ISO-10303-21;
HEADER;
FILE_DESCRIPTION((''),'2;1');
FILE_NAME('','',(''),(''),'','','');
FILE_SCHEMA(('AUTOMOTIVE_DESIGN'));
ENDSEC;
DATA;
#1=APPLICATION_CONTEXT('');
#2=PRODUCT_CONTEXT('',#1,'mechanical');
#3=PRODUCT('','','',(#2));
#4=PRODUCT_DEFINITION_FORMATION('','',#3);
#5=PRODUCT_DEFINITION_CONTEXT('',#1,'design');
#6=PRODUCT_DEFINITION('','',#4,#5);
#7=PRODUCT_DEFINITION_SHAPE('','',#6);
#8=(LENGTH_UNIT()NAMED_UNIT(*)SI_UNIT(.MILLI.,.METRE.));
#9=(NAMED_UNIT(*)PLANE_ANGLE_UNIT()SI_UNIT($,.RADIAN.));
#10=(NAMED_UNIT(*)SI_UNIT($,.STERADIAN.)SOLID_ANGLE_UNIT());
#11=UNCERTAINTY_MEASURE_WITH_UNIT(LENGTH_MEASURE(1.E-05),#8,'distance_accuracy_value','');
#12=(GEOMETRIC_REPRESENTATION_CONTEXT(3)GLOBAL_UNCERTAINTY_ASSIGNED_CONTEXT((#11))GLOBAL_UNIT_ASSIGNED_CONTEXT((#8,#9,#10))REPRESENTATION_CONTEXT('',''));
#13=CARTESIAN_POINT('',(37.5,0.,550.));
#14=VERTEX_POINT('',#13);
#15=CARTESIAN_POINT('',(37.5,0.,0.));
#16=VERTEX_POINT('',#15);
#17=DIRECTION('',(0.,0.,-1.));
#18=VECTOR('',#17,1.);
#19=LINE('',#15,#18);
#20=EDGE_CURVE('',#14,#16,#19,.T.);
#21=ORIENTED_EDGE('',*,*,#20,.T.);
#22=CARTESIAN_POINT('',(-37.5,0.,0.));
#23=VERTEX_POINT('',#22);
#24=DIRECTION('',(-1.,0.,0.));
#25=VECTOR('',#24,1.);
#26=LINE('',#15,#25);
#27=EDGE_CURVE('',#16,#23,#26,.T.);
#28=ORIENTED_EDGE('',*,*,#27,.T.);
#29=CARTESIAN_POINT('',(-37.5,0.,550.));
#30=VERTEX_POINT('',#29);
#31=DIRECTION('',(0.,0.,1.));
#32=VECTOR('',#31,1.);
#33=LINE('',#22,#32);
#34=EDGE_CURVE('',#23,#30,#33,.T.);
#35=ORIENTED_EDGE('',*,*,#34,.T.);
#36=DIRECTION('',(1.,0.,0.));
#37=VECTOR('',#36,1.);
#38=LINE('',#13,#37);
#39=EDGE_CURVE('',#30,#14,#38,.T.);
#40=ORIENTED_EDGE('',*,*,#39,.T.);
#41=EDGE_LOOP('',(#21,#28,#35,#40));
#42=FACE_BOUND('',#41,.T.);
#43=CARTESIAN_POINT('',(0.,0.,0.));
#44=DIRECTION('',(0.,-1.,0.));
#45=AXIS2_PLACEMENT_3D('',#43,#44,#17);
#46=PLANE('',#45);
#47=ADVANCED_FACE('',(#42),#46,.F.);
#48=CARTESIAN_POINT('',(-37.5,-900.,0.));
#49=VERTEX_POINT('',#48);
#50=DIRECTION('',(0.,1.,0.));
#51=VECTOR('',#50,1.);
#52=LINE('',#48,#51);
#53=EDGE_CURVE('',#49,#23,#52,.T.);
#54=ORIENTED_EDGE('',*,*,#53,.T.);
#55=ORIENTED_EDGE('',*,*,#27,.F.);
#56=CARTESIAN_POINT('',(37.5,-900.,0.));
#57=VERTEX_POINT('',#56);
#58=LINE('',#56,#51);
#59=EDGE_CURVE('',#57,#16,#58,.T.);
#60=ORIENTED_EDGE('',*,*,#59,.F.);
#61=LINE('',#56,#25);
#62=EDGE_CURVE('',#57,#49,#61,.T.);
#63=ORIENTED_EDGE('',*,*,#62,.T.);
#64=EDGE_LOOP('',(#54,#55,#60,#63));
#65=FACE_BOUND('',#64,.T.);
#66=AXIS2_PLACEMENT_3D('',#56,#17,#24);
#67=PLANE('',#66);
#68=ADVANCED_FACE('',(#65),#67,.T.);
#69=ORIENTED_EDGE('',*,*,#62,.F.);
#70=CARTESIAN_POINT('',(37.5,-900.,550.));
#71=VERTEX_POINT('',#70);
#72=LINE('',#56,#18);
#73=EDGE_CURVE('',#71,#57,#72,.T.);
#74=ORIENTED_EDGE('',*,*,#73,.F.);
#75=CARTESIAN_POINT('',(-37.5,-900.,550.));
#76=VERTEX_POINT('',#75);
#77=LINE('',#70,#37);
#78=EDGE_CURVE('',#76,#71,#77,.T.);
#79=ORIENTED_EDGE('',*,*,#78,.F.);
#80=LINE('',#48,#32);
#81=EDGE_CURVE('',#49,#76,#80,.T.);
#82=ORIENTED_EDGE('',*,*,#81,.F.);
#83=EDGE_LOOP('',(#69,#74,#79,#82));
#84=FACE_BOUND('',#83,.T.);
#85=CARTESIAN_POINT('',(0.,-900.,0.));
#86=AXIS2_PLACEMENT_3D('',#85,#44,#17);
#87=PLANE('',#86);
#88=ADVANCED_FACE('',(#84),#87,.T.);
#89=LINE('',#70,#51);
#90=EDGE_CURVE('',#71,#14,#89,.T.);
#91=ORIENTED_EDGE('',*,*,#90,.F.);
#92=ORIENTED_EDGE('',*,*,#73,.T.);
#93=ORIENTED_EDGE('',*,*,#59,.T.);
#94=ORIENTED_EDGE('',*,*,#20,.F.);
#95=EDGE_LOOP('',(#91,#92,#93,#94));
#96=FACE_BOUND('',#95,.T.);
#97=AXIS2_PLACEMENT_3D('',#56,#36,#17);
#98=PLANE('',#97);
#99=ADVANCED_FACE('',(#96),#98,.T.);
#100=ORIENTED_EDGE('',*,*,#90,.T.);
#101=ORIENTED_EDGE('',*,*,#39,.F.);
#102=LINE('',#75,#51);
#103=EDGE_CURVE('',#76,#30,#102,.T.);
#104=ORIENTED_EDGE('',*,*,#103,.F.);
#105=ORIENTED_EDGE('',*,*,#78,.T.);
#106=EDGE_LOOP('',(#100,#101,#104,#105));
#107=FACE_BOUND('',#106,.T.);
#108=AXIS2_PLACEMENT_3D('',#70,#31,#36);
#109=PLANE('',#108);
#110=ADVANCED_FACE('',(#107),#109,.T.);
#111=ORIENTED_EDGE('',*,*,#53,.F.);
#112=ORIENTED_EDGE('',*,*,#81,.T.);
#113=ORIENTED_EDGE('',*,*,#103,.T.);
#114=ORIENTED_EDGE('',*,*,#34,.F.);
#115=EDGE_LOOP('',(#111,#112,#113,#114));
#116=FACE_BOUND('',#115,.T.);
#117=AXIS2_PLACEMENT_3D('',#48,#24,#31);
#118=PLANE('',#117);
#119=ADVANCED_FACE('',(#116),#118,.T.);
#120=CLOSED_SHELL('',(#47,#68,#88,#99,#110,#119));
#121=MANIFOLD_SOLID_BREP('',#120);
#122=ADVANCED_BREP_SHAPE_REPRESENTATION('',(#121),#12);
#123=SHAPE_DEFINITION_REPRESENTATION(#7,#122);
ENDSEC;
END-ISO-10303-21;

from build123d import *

# Parameters (mm, degrees)
SKETCH1_W           = 75
SKETCH1_H           = 550
BOSS_EXTRUDE1_DEPTH = 900


with BuildPart() as part:
    # Sketch1 → Boss-Extrude1 (new body)
    with BuildSketch(Plane(origin=(0, 0, 0), x_dir=(1, 0, 0), z_dir=(0, 1, 0))):
        with Locations((0, -275)):
            Rectangle(SKETCH1_W, SKETCH1_H)
    extrude(amount=-BOSS_EXTRUDE1_DEPTH)


solid = part.part
